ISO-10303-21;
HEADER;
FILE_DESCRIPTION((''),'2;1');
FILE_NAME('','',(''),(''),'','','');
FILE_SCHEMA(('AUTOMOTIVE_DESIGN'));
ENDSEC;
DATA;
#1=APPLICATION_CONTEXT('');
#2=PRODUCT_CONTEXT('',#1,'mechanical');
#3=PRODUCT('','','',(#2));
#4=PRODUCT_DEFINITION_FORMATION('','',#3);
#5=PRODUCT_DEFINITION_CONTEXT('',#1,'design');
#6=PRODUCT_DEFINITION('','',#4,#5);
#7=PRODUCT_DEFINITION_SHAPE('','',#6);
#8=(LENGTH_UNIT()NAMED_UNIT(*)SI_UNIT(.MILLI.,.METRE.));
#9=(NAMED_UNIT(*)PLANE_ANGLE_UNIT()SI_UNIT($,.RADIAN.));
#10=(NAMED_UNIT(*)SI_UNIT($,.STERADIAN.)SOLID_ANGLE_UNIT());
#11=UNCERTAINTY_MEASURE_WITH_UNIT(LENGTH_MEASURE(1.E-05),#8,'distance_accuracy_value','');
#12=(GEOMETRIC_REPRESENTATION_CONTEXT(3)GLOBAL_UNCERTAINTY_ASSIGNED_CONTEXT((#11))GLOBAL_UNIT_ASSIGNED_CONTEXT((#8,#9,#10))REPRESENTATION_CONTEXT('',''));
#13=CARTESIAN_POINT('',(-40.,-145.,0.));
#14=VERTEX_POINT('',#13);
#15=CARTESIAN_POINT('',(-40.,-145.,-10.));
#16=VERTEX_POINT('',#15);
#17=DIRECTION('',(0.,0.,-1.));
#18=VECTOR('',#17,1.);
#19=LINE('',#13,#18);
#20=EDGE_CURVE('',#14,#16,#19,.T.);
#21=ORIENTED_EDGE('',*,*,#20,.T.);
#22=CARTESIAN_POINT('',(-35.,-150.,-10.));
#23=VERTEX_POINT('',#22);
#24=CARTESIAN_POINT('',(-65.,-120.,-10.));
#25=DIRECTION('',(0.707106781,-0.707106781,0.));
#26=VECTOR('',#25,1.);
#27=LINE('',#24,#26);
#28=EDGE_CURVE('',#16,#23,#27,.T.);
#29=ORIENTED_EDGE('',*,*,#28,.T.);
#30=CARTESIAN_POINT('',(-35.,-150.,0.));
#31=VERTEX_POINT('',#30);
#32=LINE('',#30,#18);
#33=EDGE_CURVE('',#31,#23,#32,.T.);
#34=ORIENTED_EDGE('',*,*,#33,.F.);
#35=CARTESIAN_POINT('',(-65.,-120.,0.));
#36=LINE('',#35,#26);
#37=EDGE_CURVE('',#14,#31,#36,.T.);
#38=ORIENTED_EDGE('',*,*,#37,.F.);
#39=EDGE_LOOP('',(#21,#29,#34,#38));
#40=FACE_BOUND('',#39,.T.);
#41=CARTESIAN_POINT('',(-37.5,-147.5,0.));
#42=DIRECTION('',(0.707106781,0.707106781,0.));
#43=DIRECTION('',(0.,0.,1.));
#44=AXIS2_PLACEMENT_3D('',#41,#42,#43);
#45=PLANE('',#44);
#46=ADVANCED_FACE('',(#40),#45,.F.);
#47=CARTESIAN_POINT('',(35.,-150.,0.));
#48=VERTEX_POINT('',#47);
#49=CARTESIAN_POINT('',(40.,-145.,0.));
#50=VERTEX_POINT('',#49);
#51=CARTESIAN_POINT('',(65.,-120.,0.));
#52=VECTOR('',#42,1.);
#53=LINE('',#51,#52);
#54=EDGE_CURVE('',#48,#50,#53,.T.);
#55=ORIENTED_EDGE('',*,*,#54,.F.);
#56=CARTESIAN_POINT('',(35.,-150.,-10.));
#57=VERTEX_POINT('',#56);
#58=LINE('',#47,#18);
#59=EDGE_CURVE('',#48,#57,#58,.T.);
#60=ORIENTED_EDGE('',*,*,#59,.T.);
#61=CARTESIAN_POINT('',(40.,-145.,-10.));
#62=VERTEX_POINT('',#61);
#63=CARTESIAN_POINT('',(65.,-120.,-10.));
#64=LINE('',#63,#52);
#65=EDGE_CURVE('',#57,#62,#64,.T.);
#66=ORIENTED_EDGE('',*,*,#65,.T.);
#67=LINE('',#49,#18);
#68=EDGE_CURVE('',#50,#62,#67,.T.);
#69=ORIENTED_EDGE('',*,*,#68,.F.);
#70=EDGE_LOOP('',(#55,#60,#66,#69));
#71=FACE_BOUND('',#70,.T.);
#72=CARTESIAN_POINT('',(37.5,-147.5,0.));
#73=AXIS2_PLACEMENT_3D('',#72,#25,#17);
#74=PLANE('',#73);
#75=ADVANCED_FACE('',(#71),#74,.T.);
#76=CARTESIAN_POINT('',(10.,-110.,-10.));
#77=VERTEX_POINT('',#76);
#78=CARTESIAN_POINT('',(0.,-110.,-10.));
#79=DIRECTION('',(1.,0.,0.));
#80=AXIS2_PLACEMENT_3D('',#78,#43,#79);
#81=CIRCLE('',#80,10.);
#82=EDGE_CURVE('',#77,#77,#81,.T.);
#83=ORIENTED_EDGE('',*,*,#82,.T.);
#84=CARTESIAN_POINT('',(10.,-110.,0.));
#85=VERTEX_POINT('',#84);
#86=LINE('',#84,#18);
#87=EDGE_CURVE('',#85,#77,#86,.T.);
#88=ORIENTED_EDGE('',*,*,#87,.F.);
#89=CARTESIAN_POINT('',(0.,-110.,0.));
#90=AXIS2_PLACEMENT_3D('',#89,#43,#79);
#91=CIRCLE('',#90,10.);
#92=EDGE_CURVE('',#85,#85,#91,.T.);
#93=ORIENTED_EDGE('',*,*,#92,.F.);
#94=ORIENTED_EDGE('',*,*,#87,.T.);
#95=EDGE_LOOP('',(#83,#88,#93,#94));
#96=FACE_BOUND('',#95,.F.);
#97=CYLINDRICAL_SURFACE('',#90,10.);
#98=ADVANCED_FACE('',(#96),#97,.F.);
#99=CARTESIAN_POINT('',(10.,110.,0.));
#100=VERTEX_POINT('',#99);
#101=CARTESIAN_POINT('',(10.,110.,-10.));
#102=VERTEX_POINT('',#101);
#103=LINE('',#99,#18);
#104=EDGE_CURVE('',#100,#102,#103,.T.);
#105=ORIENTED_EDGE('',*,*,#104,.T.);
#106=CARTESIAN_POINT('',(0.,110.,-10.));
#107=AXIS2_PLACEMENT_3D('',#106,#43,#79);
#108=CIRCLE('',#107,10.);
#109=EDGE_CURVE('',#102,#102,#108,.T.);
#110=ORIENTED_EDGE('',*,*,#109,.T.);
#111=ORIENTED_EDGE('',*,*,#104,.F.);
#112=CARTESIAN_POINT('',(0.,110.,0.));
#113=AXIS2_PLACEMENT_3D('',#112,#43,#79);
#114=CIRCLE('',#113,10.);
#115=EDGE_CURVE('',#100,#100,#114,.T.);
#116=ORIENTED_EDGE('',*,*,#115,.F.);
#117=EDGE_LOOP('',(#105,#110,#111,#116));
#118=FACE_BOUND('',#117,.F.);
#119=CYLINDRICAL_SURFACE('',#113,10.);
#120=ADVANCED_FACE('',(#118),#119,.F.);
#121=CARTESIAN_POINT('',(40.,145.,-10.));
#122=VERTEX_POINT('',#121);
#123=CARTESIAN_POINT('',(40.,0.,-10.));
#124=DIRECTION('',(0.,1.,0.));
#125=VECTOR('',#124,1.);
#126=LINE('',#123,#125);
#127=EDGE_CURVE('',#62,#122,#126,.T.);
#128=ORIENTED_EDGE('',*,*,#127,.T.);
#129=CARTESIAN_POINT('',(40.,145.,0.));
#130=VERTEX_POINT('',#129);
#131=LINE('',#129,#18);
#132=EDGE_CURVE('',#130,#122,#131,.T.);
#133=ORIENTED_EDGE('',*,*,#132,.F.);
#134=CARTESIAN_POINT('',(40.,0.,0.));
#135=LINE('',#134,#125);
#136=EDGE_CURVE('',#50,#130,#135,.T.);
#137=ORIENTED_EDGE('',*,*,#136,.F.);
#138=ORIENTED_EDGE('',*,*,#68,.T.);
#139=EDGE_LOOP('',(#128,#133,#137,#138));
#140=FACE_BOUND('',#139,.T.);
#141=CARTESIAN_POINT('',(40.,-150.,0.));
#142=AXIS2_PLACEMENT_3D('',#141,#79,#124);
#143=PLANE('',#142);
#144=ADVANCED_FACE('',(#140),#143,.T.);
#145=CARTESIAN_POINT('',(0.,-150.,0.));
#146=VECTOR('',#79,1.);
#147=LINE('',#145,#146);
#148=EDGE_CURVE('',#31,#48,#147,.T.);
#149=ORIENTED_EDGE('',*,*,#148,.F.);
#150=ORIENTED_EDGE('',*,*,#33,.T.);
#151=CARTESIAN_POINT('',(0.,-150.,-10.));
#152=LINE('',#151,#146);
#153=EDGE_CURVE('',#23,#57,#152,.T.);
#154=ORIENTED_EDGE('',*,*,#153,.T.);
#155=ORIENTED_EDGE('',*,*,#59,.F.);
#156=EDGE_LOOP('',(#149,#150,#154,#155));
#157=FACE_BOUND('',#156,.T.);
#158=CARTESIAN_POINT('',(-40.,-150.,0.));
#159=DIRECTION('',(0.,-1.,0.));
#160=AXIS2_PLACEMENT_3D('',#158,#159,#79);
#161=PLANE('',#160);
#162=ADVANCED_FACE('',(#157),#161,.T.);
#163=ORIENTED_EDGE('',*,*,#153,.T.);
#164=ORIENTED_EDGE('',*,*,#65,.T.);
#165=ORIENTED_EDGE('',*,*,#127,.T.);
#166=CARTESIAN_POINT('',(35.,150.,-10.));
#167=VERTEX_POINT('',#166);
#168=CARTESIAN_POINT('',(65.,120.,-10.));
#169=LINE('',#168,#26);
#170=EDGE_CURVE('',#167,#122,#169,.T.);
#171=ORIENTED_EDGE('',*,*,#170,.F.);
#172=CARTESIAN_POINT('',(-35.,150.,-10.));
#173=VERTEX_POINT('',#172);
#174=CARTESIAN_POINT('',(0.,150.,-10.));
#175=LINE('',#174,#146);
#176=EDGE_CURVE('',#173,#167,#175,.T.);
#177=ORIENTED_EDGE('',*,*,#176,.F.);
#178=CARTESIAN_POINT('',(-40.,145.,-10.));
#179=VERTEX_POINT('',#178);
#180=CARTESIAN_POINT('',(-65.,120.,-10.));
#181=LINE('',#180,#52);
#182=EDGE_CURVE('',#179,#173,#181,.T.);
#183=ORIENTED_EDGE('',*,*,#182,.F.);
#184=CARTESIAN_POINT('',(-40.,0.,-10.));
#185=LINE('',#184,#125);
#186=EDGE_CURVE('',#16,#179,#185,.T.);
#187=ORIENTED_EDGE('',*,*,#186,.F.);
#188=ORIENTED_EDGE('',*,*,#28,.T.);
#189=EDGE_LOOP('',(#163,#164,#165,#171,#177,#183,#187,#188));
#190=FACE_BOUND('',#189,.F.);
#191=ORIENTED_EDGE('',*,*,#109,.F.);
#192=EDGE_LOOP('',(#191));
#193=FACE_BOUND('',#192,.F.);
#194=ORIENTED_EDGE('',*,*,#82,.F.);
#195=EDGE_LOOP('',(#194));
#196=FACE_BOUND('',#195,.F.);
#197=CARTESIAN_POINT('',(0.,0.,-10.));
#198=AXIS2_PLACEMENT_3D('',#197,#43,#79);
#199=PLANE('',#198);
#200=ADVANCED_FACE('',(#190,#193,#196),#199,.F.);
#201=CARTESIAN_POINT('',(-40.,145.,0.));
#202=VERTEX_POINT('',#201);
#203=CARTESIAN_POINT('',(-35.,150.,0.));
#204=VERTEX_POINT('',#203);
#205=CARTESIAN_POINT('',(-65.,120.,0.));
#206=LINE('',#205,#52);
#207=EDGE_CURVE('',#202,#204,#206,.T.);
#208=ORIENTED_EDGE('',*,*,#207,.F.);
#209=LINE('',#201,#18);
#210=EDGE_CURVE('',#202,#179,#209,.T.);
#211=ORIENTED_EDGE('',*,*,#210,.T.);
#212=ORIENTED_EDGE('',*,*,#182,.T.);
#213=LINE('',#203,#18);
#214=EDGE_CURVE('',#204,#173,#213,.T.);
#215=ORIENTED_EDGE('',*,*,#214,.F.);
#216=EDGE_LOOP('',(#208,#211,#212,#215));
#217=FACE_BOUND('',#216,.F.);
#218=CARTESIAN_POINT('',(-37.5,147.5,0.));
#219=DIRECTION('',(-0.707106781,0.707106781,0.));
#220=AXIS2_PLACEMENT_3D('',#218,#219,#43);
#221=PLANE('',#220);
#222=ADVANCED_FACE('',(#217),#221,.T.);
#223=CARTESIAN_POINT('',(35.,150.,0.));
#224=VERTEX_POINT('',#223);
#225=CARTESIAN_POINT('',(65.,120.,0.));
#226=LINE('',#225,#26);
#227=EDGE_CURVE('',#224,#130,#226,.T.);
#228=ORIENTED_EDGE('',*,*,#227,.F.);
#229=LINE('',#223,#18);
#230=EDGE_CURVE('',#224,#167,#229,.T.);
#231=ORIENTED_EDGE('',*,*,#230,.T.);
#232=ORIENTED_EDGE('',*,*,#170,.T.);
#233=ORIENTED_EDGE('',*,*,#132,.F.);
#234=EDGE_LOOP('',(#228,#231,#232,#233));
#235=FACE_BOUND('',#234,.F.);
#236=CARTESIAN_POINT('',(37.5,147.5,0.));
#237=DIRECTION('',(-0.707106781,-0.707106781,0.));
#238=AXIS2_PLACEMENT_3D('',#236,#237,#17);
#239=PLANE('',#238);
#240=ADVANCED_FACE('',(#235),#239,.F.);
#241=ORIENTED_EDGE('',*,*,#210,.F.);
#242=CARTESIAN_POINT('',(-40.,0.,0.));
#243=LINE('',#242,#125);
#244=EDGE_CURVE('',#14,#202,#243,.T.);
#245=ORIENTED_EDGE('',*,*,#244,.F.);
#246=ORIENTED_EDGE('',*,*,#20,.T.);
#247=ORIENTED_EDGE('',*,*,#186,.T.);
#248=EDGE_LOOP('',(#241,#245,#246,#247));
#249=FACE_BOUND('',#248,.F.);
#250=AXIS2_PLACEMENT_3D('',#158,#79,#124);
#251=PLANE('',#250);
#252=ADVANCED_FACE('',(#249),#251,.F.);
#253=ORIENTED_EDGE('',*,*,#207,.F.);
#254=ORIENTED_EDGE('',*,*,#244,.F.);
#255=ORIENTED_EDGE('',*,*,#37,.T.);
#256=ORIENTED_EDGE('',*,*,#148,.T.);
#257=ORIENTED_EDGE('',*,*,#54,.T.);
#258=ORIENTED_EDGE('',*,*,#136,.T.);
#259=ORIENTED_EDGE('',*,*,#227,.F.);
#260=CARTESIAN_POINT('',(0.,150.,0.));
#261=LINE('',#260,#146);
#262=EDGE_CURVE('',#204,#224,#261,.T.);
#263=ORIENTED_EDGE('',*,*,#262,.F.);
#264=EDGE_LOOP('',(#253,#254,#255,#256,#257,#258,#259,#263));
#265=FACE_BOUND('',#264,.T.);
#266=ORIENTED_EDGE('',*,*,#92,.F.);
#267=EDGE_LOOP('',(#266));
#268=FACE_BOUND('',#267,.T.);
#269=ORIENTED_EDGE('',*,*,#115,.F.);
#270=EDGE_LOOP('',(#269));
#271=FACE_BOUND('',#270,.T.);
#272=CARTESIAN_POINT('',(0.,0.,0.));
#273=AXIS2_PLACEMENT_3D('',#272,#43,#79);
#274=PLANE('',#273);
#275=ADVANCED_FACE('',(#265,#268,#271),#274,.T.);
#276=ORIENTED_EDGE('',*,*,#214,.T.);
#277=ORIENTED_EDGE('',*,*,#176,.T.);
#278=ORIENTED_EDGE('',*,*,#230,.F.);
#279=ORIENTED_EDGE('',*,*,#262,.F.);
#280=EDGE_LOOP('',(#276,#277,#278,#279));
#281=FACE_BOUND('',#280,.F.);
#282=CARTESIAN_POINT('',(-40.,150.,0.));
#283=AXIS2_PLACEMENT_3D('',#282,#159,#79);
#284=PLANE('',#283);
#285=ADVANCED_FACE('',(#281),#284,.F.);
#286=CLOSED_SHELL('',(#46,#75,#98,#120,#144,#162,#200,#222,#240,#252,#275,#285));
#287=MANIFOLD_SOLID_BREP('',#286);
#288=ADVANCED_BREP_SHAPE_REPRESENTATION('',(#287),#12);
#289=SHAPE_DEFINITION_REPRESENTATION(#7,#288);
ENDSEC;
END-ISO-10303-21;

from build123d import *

# Parameters (mm, degrees)
F0_W     = 80
F0_H     = 300
F0_R     = 10
F1_DEPTH = 10
F2_SIZE2 = 5
F2_SIZE  = 5


with BuildPart() as f1:
    # F0 (on Top) → F1 (new body)
    with BuildSketch(Plane.XY):
        Rectangle(F0_W, F0_H)
        with Locations((0, -110)):
            Circle(F0_R, mode=Mode.SUBTRACT)
        with Locations((0, 110)):
            Circle(F0_R, mode=Mode.SUBTRACT)
    extrude(amount=-F1_DEPTH)

    # F2
    f2_edges = [f1.edges().sort_by_distance(p)[0] for p in [
        (40, 150, -5),
        (40, -150, -5),
        (-40, -150, -5),
        (-40, 150, -5),
    ]]
    chamfer(f2_edges, length=F2_SIZE, length2=F2_SIZE2)


solid = f1.part
